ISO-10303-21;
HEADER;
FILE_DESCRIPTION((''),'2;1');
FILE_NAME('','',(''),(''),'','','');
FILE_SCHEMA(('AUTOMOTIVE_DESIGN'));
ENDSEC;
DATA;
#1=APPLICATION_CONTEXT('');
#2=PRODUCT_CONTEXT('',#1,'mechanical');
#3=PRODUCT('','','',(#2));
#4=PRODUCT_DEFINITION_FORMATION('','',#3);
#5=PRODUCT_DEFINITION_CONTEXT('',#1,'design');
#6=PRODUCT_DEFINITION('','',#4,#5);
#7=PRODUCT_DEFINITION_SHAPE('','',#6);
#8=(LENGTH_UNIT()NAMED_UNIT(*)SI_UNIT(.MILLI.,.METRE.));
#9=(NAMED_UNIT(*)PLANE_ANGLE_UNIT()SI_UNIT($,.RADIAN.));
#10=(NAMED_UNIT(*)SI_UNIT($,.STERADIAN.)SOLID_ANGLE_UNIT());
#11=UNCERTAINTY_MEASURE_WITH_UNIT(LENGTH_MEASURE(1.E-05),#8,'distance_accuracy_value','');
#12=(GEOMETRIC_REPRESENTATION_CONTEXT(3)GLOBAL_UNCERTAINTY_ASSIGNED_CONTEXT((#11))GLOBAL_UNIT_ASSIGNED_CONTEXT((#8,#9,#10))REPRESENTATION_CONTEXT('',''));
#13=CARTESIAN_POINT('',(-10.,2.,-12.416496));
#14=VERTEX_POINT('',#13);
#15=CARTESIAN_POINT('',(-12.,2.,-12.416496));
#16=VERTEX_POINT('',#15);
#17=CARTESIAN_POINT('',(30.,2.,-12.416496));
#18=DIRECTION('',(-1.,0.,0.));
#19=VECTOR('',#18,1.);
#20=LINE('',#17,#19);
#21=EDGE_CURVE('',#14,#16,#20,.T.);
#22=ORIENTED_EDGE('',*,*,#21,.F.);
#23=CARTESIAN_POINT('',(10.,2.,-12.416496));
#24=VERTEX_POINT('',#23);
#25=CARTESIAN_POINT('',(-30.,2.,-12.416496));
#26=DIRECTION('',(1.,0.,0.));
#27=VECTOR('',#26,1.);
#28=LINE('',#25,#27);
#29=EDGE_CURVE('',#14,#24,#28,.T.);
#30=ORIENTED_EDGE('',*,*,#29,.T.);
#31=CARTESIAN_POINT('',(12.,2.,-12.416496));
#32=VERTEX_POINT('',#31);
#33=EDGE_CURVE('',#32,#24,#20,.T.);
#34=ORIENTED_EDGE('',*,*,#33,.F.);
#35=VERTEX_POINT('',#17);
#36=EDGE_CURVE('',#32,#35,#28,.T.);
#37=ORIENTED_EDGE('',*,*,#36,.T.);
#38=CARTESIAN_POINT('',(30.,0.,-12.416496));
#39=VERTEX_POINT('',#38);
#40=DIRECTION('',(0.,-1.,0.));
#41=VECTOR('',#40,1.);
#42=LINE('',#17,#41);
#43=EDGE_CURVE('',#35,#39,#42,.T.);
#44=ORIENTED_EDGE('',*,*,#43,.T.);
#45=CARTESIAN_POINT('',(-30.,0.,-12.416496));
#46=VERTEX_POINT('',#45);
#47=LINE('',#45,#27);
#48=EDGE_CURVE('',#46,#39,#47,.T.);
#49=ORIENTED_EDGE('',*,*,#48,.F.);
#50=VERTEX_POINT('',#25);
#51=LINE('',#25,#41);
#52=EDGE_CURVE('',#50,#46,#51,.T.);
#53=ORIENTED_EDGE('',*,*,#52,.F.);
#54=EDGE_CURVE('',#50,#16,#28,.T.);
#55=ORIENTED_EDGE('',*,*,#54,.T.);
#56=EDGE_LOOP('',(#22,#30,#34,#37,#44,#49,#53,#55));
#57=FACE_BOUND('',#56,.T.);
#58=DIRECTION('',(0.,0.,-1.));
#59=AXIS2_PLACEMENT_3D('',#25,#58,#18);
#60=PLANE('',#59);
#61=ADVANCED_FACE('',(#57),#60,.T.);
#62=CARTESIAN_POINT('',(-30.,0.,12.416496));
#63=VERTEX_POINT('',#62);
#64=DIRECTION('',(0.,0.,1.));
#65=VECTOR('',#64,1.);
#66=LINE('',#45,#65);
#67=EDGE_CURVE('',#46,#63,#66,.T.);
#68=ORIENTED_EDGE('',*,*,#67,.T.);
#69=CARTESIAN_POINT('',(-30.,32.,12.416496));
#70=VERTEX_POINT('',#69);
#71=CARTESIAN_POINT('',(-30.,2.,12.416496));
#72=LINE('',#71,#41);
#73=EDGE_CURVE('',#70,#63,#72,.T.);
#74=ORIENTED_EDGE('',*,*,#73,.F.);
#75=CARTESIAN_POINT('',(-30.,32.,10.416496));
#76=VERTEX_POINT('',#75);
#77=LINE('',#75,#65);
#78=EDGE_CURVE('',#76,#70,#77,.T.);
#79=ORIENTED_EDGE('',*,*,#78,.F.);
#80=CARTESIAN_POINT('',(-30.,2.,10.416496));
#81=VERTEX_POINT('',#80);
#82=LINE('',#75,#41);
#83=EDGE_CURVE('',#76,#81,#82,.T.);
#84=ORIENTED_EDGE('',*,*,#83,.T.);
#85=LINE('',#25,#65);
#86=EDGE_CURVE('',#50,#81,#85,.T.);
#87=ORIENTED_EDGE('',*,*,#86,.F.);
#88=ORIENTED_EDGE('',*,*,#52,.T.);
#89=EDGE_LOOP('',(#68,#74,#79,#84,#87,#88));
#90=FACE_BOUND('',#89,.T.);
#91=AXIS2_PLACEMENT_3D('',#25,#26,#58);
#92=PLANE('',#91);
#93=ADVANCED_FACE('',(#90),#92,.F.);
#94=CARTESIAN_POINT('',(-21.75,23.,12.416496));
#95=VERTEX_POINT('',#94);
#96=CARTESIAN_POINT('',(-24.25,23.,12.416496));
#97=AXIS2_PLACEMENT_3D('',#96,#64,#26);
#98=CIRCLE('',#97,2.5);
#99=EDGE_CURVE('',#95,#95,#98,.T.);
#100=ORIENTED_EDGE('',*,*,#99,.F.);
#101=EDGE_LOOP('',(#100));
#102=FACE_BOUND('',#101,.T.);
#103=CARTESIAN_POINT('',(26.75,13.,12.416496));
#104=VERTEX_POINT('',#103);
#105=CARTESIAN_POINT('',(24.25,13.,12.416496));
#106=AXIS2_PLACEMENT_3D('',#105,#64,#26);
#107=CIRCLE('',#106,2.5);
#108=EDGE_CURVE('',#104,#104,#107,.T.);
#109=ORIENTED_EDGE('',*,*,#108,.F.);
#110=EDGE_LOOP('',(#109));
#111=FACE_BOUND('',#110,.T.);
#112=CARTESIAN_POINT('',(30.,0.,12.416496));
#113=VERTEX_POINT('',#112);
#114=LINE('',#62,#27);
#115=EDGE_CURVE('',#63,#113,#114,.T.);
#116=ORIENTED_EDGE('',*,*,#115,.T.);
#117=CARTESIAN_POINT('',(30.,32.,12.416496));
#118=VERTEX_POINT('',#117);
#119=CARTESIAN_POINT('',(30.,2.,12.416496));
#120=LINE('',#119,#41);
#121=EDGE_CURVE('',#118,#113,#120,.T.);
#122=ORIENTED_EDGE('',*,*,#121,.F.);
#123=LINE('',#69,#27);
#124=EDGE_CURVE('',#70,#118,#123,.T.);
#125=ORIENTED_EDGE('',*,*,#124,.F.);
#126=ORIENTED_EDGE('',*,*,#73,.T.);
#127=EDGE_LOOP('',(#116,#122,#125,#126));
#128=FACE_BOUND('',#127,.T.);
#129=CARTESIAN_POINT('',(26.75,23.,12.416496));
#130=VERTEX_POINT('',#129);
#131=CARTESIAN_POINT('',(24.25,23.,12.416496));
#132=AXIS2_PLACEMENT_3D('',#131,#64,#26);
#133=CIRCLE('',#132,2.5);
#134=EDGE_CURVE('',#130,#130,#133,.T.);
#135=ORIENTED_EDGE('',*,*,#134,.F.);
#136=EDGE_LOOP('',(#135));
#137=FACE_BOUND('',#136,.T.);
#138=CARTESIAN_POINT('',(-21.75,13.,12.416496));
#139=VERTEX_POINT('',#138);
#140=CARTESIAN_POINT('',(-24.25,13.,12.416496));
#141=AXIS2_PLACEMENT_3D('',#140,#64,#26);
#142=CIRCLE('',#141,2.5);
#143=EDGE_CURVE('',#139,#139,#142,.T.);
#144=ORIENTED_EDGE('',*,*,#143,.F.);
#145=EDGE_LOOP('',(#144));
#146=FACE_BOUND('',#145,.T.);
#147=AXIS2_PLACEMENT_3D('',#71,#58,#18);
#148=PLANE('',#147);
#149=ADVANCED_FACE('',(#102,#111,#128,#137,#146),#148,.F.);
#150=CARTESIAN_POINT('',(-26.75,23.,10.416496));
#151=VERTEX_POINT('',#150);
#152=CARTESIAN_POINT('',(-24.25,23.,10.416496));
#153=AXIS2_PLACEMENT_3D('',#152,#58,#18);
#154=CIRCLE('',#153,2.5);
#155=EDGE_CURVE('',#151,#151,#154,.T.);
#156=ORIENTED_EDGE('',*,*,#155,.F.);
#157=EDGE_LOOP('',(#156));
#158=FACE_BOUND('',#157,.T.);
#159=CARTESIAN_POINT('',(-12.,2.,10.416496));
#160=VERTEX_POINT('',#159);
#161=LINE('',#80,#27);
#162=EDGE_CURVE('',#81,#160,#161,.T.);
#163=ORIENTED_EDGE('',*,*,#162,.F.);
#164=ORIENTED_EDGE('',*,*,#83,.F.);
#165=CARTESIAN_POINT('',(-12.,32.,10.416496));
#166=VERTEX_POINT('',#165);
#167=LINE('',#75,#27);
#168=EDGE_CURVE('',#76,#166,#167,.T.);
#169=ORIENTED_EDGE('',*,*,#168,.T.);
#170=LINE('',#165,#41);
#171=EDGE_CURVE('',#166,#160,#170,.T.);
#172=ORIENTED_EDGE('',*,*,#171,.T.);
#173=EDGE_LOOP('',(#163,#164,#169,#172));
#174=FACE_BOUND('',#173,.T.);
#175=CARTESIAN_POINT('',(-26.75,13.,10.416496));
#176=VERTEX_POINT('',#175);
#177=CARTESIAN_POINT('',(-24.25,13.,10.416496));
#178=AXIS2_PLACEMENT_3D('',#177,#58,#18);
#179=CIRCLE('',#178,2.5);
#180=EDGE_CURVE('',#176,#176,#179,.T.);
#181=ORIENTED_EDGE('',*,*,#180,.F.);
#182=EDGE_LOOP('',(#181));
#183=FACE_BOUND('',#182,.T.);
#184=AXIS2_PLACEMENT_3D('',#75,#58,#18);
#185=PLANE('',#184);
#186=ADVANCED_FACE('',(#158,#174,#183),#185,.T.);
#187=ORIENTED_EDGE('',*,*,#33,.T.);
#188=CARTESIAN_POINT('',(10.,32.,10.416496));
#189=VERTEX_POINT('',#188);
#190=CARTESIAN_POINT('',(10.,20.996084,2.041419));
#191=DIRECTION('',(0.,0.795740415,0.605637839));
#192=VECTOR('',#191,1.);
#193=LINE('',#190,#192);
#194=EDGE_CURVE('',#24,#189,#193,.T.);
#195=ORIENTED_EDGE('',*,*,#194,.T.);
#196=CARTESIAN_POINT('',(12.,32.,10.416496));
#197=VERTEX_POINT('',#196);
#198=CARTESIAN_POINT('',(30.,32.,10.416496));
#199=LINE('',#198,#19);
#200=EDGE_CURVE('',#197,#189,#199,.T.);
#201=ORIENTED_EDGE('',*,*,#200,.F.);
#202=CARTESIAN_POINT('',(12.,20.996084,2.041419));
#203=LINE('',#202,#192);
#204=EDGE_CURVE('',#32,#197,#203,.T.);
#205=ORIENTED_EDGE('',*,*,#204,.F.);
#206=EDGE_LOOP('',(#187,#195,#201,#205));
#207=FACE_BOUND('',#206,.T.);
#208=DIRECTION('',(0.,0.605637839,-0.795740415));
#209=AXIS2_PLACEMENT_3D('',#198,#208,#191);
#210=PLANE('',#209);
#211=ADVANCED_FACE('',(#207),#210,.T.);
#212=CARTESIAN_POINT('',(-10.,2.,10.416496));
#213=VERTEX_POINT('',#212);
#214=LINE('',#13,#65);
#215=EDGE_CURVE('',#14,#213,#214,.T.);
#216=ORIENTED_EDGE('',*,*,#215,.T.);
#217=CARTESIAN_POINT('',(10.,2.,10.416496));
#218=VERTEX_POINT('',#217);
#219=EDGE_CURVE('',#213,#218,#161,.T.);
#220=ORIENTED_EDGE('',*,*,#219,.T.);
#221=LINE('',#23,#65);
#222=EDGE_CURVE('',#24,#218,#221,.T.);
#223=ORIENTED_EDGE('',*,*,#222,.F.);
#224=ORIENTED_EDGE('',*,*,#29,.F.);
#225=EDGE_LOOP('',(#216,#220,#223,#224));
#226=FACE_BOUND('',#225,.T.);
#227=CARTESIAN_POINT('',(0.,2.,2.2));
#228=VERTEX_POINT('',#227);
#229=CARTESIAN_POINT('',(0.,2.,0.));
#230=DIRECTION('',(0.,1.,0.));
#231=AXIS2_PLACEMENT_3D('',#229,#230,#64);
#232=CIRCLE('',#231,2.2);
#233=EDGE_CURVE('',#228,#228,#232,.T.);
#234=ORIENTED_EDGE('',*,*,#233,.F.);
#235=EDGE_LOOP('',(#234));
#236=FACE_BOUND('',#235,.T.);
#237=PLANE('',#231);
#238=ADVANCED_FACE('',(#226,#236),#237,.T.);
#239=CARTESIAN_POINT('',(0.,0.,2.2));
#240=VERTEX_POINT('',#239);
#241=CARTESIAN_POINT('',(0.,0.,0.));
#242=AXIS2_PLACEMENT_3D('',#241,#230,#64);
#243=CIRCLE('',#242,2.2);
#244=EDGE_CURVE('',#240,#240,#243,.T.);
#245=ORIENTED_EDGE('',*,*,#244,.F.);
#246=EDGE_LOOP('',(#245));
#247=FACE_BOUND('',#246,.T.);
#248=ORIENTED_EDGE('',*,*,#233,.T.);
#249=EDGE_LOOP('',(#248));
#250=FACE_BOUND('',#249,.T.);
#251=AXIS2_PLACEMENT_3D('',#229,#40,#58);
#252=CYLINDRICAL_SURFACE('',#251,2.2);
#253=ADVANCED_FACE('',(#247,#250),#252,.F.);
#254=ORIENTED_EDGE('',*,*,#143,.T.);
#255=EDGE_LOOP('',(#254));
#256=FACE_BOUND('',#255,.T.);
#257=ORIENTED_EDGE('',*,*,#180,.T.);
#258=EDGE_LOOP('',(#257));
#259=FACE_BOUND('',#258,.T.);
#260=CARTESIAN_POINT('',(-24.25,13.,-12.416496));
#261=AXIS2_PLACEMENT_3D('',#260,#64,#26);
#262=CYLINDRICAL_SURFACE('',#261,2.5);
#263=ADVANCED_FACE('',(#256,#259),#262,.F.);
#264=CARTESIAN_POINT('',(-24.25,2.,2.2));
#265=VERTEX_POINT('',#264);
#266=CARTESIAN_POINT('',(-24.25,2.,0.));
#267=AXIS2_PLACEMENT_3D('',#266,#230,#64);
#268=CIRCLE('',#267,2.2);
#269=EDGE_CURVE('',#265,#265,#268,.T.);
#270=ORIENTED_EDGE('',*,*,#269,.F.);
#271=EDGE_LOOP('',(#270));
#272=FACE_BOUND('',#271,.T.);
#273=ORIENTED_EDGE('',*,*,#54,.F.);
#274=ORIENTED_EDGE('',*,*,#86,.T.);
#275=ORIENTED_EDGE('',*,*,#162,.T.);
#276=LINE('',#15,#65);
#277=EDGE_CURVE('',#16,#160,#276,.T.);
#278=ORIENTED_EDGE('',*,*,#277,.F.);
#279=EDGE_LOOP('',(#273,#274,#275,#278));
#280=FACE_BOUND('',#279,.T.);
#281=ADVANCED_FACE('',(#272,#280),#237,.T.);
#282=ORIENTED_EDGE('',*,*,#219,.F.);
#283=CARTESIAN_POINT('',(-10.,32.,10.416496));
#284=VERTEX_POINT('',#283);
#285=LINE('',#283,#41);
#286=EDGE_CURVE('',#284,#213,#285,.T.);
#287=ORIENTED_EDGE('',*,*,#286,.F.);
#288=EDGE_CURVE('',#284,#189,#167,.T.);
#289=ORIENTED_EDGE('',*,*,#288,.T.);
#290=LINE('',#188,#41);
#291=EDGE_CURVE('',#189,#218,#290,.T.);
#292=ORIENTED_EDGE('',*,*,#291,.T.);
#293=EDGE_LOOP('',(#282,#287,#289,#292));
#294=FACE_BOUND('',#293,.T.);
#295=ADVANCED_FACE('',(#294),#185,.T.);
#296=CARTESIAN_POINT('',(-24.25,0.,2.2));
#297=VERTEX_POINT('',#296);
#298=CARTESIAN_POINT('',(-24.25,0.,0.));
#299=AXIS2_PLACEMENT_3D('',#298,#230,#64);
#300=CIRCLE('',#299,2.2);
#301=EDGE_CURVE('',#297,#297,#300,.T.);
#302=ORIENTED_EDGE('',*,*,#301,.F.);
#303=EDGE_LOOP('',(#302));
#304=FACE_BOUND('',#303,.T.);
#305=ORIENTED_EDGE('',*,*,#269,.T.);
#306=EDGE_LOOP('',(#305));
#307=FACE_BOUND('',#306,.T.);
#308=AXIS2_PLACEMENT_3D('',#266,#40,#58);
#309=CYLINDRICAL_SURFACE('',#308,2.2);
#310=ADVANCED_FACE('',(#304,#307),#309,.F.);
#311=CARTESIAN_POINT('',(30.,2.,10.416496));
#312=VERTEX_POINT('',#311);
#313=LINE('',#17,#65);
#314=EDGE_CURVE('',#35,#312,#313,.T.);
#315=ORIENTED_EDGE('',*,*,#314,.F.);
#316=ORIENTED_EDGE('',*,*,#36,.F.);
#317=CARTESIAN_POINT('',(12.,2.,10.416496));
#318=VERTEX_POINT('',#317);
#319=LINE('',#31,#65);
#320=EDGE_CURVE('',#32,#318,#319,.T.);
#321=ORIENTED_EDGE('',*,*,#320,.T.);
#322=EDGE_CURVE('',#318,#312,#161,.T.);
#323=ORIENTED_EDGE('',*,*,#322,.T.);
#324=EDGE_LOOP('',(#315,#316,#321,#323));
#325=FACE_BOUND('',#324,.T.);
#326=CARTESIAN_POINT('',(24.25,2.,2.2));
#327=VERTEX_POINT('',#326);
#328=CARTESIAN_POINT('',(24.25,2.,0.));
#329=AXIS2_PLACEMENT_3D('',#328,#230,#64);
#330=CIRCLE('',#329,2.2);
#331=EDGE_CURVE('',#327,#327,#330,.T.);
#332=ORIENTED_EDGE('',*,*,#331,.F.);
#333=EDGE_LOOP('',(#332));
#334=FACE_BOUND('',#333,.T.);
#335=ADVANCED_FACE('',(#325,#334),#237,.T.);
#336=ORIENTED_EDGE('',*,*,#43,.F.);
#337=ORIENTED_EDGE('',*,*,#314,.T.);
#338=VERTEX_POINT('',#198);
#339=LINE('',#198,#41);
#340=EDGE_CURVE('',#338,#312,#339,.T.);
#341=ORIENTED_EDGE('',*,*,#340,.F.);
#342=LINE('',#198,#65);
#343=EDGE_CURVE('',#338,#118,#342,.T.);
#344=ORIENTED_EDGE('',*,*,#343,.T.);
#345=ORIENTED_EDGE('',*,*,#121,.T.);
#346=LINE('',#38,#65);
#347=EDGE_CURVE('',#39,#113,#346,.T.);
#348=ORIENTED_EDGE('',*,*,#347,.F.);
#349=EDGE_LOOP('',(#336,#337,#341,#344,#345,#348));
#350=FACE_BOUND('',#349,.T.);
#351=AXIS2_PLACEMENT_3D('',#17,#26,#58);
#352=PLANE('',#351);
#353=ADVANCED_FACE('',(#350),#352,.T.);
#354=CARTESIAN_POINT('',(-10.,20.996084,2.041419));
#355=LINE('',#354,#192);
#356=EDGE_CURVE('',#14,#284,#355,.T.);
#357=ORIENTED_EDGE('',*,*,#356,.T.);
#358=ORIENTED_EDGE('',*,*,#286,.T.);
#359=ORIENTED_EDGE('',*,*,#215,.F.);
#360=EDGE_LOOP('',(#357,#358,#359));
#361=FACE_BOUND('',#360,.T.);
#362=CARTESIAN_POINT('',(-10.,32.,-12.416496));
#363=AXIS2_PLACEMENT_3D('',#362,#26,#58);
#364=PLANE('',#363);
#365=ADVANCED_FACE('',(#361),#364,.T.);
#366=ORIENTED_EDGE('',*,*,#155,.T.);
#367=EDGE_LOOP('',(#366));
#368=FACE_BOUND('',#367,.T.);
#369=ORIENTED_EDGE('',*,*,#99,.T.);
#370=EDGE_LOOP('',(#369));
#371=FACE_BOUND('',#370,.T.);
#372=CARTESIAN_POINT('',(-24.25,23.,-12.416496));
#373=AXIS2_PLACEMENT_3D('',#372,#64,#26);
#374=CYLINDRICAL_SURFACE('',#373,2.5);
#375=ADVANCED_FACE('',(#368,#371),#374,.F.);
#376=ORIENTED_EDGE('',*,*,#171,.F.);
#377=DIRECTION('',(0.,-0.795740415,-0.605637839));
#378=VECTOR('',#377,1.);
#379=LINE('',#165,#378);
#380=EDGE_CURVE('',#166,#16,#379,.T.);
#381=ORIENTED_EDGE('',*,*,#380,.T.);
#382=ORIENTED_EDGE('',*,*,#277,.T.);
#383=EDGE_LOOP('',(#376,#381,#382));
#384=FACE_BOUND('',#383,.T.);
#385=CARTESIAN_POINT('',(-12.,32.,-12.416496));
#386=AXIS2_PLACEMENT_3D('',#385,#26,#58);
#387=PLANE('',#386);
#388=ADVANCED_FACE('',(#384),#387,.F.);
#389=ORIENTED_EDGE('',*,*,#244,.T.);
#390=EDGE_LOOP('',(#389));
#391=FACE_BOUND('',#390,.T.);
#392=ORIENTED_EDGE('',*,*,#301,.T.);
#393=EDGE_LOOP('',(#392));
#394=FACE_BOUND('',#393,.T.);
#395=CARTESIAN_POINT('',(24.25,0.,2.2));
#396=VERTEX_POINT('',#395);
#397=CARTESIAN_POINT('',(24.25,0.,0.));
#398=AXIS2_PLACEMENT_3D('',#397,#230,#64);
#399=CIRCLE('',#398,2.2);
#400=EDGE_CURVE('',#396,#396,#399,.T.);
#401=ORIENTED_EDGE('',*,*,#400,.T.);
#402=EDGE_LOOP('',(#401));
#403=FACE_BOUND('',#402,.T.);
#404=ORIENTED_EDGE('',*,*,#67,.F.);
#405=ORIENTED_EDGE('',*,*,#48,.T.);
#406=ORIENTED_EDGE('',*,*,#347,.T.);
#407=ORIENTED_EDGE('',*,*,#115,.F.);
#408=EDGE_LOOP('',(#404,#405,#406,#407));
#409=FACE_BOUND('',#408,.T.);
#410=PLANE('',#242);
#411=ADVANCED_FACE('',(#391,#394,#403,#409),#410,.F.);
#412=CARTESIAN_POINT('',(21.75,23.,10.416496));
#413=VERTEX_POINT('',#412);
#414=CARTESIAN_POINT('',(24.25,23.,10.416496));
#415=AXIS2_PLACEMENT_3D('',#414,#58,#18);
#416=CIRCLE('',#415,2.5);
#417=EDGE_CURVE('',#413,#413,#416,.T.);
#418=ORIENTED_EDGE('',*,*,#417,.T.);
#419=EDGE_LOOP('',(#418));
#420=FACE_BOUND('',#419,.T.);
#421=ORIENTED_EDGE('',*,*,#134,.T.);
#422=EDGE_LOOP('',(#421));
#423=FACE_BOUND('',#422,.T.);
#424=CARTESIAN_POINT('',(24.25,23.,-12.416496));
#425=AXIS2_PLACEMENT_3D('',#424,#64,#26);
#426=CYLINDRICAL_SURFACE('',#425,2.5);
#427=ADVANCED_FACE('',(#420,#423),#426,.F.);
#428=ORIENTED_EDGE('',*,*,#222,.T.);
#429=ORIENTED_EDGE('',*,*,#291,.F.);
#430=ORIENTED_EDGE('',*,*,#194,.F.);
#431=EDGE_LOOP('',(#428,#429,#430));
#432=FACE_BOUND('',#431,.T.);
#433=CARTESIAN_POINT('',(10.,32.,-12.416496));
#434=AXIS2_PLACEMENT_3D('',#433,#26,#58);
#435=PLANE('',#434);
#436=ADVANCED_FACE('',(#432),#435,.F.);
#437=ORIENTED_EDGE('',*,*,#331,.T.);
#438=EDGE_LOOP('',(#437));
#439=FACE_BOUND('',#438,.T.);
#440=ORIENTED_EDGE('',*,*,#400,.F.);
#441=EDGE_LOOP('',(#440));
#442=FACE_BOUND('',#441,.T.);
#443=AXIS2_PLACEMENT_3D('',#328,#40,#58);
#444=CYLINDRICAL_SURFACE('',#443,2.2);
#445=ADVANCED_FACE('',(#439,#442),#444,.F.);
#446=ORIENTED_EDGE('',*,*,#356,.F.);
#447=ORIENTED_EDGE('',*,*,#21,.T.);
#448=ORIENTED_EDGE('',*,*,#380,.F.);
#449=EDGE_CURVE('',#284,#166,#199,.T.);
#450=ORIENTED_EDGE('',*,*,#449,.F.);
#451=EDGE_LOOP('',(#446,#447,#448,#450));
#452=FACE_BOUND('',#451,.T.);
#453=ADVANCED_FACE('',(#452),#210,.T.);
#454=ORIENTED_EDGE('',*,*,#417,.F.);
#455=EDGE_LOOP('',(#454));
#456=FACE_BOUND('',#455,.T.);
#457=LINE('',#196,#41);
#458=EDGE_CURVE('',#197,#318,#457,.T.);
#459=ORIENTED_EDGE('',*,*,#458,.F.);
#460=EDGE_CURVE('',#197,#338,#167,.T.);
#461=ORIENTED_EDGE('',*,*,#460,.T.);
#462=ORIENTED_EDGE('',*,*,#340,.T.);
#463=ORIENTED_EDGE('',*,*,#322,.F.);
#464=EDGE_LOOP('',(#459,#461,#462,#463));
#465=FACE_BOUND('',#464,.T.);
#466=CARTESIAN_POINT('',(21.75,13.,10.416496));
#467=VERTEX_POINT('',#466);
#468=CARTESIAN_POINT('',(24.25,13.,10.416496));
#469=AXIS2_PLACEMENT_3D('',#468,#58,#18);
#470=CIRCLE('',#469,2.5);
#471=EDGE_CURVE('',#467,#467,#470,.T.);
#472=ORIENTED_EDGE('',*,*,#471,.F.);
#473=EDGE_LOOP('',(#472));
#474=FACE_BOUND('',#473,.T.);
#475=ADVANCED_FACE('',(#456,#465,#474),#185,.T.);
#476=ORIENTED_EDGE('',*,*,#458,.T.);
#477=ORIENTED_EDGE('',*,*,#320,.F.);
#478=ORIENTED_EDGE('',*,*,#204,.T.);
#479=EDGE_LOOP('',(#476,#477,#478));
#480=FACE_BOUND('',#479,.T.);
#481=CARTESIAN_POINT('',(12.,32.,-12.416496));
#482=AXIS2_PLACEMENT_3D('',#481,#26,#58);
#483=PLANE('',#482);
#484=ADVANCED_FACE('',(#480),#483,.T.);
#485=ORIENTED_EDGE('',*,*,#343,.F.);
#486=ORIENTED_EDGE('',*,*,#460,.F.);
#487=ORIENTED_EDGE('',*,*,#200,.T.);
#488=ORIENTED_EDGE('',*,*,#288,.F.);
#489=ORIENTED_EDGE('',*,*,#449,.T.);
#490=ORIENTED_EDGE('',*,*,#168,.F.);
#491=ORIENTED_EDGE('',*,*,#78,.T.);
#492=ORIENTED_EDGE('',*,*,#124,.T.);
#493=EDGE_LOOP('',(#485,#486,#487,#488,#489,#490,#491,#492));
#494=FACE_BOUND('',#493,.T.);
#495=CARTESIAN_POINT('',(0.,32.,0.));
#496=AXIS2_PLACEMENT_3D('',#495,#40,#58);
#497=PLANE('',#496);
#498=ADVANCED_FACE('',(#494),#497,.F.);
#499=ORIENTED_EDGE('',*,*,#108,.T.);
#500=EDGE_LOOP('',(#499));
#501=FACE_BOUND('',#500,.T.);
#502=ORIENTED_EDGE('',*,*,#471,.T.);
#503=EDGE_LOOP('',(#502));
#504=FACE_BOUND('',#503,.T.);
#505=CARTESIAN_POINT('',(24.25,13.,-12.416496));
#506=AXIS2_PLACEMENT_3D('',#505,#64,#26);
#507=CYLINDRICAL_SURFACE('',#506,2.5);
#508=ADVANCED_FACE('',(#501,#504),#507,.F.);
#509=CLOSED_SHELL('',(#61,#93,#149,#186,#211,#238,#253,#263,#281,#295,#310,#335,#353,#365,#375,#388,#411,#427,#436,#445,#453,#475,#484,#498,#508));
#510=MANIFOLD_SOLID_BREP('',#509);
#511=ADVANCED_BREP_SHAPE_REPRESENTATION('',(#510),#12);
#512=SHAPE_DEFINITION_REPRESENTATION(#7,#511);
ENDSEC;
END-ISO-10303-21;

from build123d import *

# Parameters (mm, degrees)
SKETCH_1_W          = 60
SKETCH_1_H          = 24.832992812
SKETCH_1_R          = 2.2
EXTRUDE_2_DEPTH     = 2
SKETCH_6_W          = 2
SKETCH_6_H          = 22.832992812
SKETCH_6_W_2        = 60
SKETCH_6_H_2        = 2
EXTRUDE_3_DEPTH     = 30
CUT_EXTRUDE_1_DEPTH = 55.241767882
SKETCH_9_R          = 2.5
CUT_EXTRUDE_2_DEPTH = 51.405133984


with BuildPart() as part:
    # 草圖1 → 填料-伸長2 (new body)
    with BuildSketch(Plane(origin=(0, 0, 0), x_dir=(1, 0, 0), z_dir=(0, 1, 0))):
        Rectangle(SKETCH_1_W, SKETCH_1_H)
        with Locations(Location((-24.25, 0, 0), (0, 0, 270))):
            Circle(SKETCH_1_R, mode=Mode.SUBTRACT)
        with Locations(Location((0, 0, 0), (0, 0, 270))):
            Circle(SKETCH_1_R, mode=Mode.SUBTRACT)
        with Locations(Location((24.25, 0, 0), (0, 0, 270))):
            Circle(SKETCH_1_R, mode=Mode.SUBTRACT)
    extrude(amount=EXTRUDE_2_DEPTH)

    # 草圖6 → 填料-伸長3 (add)
    with BuildSketch(Plane(origin=(0, 2, 0), x_dir=(1, 0, 0), z_dir=(0, 1, 0))):
        with Locations((-11, 1)):
            Rectangle(SKETCH_6_W, SKETCH_6_H)
        with Locations((0, -11.416496406)):
            Rectangle(SKETCH_6_W_2, SKETCH_6_H_2)
        with Locations((11, 1)):
            Rectangle(SKETCH_6_W, SKETCH_6_H)
    extrude(amount=EXTRUDE_3_DEPTH)

    # 草圖8 → 除料-伸長1 (cut, through all)
    with BuildSketch(Plane.ZY.offset(12)):
        Polygon((10.416496406, 32), (-12.416496406, 2), (-12.416496406, 32), align=None)
    extrude(amount=-CUT_EXTRUDE_1_DEPTH, mode=Mode.SUBTRACT)

    # 草圖9 → 除料-伸長2 (cut, through all)
    with BuildSketch(Plane.XY.offset(12.416496406)):
        with Locations((-24.25, 13)):
            Circle(SKETCH_9_R)
        with Locations((24.25, 13)):
            Circle(SKETCH_9_R)
        with Locations((24.25, 23)):
            Circle(SKETCH_9_R)
        with Locations((-24.25, 23)):
            Circle(SKETCH_9_R)
    extrude(amount=-CUT_EXTRUDE_2_DEPTH, mode=Mode.SUBTRACT)


solid = part.part
